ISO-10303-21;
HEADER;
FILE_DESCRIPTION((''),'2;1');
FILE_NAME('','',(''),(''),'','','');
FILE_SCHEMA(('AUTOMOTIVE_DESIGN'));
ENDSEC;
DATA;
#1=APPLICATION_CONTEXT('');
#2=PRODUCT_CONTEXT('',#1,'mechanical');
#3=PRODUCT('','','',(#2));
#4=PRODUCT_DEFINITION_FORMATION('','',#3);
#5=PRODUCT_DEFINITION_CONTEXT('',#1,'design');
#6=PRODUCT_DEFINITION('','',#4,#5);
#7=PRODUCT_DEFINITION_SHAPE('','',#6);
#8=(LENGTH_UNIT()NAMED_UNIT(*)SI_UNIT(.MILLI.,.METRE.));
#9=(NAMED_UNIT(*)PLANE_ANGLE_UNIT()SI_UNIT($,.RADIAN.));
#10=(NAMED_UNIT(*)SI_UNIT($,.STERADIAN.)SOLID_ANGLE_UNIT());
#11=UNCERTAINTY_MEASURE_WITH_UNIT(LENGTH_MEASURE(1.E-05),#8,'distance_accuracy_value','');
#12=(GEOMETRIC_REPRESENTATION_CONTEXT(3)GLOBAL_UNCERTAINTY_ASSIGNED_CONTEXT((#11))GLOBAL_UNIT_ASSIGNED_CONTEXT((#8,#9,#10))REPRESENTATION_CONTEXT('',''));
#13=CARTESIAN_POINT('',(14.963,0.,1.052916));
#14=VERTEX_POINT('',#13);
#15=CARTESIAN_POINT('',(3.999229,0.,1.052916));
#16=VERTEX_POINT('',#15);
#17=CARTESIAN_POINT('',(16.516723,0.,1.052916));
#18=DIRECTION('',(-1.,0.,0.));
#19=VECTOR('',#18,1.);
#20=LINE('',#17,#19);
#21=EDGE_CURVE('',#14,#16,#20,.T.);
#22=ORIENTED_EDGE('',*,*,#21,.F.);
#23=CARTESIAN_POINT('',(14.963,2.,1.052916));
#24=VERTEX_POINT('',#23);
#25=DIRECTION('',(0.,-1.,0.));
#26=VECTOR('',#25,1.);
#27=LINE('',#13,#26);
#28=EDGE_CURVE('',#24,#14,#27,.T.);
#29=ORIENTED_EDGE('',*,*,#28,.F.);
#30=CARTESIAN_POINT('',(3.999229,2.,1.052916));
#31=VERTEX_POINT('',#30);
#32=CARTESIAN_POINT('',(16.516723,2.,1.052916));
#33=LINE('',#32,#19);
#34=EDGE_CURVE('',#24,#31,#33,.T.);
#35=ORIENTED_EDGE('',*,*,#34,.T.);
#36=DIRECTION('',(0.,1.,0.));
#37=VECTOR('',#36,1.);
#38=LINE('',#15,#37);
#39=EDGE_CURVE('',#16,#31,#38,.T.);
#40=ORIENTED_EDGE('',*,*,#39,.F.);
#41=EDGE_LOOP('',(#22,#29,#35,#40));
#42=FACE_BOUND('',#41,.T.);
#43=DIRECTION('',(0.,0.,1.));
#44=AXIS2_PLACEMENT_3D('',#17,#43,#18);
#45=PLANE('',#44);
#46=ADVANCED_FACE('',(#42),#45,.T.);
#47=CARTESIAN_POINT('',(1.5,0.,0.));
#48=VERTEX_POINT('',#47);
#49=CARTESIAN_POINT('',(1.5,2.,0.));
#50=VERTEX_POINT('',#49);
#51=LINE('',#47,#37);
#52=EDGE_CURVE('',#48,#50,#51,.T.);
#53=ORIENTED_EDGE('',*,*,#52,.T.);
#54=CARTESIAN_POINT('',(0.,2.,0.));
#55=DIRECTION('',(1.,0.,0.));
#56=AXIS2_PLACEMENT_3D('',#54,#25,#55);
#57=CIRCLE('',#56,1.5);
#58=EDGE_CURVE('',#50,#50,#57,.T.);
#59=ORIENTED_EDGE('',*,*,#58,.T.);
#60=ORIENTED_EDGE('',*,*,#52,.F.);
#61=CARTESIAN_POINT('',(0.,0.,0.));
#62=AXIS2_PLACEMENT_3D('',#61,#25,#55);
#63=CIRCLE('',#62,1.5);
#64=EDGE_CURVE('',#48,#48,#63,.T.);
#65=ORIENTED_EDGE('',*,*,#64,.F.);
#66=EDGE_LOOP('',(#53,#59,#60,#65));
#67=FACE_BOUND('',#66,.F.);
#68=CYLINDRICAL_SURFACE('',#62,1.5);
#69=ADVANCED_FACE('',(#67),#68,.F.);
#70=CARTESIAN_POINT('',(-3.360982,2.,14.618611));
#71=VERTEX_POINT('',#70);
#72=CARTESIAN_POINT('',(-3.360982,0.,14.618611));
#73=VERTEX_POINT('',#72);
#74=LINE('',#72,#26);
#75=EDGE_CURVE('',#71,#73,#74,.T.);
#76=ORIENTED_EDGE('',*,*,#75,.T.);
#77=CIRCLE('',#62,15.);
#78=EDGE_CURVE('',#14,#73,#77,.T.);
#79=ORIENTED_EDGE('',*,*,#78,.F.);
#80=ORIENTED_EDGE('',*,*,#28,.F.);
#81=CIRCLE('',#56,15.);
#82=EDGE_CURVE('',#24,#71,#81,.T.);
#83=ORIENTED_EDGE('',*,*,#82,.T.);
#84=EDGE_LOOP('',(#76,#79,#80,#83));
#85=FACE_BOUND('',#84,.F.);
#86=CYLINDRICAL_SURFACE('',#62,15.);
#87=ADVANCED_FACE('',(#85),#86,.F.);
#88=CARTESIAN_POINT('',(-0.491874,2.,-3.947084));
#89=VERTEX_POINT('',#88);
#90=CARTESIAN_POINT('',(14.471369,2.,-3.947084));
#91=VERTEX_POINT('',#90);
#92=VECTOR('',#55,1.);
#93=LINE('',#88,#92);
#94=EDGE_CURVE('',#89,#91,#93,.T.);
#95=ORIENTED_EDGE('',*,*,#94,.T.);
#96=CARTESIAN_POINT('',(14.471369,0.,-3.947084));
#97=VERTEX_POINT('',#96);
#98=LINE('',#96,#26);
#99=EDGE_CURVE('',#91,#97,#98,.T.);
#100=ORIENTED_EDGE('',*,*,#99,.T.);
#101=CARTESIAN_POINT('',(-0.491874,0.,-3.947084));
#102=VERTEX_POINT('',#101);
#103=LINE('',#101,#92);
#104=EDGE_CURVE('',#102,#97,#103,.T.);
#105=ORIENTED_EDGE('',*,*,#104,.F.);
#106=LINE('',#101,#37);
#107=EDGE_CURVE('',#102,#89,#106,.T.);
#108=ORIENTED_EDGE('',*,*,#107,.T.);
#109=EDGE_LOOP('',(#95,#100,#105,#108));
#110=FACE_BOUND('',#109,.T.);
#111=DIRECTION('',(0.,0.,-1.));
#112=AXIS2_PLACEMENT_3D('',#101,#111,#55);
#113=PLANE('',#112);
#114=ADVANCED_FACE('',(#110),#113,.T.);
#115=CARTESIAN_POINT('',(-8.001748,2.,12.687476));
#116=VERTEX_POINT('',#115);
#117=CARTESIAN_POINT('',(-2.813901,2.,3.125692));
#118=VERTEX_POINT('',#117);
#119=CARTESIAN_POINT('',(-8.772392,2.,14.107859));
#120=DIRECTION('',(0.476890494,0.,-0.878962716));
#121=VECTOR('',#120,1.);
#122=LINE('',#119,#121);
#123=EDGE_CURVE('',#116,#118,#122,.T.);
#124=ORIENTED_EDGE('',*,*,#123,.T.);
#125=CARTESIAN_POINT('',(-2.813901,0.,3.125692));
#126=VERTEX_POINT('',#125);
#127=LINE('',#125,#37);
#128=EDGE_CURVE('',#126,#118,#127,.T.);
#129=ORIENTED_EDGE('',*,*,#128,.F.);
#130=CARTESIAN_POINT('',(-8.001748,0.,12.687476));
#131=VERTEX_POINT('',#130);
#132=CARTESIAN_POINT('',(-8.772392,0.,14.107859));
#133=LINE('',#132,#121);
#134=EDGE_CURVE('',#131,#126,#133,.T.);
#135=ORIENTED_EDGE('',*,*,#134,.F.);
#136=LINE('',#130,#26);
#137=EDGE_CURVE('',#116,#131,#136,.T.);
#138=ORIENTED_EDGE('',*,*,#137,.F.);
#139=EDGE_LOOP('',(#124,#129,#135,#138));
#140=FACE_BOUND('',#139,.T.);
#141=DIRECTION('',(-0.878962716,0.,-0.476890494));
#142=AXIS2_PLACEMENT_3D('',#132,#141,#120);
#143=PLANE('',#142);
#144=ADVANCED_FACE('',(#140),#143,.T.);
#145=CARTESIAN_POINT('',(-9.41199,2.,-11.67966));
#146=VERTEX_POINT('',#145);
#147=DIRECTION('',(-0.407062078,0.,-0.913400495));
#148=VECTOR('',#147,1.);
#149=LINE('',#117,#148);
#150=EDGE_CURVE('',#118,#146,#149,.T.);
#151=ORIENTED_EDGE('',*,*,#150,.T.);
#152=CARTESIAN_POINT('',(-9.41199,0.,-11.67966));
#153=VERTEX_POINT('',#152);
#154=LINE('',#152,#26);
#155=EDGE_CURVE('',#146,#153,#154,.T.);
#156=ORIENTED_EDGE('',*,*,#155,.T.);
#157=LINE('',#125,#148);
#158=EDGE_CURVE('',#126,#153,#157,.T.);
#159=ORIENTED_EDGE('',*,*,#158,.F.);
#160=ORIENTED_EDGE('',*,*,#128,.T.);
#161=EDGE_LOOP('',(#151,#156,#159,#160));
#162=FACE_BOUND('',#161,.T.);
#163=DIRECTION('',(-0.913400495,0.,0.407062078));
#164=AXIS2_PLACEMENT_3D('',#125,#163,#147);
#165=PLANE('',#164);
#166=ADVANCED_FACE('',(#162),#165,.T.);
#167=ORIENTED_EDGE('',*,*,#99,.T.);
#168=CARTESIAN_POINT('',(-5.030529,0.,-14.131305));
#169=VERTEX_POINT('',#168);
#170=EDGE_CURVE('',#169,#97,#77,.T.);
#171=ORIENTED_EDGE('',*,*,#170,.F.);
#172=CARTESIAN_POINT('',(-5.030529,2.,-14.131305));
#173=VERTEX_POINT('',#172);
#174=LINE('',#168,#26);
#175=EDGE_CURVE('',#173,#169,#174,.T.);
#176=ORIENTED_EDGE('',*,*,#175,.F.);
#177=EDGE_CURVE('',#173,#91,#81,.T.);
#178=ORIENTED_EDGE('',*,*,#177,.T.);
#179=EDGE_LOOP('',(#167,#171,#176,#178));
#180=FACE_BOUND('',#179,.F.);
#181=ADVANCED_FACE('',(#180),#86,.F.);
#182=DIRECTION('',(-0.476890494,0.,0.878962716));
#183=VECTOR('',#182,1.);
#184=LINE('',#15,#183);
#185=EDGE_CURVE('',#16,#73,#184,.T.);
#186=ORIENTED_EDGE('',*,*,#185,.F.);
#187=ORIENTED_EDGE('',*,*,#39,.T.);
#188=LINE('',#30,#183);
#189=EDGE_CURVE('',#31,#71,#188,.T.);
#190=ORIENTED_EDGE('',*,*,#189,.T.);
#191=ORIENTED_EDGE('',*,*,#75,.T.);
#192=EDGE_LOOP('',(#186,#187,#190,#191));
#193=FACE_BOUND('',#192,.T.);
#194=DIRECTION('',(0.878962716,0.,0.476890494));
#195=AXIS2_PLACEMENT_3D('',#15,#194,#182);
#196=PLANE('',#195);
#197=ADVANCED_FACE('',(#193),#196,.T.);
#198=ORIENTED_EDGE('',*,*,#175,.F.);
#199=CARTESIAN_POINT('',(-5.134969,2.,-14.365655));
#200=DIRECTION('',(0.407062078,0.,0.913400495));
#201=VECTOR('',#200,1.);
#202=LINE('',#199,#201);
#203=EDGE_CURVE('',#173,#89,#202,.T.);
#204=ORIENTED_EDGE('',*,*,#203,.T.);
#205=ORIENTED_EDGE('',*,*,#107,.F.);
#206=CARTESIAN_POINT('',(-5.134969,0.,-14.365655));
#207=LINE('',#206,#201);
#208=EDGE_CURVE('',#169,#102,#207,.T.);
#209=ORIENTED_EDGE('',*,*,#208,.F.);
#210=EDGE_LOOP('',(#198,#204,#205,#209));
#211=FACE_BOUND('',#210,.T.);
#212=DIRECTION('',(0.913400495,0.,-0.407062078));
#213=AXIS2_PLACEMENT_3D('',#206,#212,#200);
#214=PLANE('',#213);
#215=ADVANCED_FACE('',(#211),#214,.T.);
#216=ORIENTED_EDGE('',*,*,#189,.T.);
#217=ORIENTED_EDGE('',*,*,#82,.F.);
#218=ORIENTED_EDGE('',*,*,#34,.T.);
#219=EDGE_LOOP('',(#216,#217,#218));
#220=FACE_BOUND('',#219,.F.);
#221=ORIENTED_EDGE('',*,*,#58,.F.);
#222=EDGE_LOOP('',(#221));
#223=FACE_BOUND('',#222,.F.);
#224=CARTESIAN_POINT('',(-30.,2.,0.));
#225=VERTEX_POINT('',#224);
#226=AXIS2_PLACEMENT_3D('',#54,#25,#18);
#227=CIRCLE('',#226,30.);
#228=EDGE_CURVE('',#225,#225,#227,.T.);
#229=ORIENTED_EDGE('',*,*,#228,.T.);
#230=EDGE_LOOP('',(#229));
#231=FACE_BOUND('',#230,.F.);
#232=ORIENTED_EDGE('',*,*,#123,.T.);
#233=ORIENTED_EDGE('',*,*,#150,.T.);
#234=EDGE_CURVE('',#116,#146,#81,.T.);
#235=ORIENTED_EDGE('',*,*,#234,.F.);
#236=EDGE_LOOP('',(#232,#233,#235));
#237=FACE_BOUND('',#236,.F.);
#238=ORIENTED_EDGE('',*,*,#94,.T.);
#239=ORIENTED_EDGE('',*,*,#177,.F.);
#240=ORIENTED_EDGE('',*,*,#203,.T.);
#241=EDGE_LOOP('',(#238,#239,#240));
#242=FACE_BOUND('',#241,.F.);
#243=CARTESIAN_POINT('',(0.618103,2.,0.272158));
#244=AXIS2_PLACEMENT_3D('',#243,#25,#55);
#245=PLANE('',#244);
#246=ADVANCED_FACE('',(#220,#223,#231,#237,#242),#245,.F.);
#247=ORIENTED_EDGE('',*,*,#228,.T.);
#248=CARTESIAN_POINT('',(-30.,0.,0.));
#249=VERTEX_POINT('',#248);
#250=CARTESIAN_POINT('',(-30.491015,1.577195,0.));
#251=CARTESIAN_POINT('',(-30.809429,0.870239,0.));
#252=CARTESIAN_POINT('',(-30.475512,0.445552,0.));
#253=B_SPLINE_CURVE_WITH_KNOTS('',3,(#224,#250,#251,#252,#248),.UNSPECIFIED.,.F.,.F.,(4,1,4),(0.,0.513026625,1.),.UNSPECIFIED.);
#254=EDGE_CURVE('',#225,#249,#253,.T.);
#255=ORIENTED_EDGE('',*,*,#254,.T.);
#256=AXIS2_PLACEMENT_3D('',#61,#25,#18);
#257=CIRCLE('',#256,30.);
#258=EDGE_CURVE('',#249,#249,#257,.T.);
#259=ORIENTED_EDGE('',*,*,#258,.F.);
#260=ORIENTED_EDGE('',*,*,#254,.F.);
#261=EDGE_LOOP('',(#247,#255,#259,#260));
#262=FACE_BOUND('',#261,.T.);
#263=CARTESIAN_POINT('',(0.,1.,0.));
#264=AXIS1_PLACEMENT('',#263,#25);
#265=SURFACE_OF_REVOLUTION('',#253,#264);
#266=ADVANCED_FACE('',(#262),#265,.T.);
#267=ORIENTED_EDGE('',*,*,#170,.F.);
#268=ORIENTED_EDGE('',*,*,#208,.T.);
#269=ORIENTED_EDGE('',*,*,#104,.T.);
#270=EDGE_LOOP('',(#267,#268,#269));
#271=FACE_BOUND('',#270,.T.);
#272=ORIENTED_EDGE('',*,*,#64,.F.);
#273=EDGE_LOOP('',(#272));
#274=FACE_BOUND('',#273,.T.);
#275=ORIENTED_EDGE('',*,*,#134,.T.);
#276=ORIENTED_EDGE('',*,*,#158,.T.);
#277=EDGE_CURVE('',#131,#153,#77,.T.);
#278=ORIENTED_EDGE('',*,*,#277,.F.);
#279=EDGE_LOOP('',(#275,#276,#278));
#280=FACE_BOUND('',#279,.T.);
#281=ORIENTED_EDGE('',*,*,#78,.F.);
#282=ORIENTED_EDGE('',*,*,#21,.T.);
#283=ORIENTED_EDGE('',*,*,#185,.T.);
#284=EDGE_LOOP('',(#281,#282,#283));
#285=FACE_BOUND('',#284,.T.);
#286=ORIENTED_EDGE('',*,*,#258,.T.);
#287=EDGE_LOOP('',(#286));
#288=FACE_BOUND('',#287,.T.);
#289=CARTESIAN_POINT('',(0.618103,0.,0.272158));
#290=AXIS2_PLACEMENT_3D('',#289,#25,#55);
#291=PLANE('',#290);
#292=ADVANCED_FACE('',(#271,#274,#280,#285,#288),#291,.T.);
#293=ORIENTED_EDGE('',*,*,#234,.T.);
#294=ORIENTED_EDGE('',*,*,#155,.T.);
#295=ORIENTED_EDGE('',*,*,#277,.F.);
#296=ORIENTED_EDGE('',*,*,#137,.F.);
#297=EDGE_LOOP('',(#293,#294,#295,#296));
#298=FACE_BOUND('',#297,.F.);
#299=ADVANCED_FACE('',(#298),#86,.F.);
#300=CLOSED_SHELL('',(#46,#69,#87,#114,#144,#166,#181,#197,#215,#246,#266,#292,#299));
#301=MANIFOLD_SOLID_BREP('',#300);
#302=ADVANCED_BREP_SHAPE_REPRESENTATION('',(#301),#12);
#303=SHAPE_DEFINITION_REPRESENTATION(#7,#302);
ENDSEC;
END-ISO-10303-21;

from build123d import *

# Parameters (mm, degrees)
F2_R     = 15
F2_R_2   = 3.5
F2_R_3   = 1.5
F3_DEPTH = 1000
F5_DEPTH = 2
F6_DEPTH = 10050


with BuildPart() as f1:
    # F0 (on Top) → F1 (revolve)
    with BuildSketch(Plane.XY):
        with BuildLine():
            Line((-30, 0), (0, 0))
            Line((0, 0), (0, 2))
            Line((0, 2), (-30, 2))
            add(Edge.make_bspline(
                [(-30, 2), (-30.4910149425, 1.5771952458), (-30.8094289155, 0.8702388721), (-30.4755121469, 0.4455515009), (-30, 0)],
                knots=[0, 0, 0, 0, 0.5130266248, 1, 1, 1, 1], degree=3))
        make_face()
    revolve(axis=Axis((0, 1, 0), (0, -1, 0)))

    # F2 (on Front) → F3 (cut)
    with BuildSketch(Plane.XZ):
        Circle(F2_R)
        Circle(F2_R_2, mode=Mode.SUBTRACT)
        Circle(F2_R_3)
    extrude(amount=-F3_DEPTH, mode=Mode.SUBTRACT)

    # F4 (on Front) → F5 (join)
    with BuildSketch(Plane.XZ):
        Polygon((-2.8139011922, 3.1256922416), (-9.7019712724, -12.3303449528), (-5.1349687969, -14.365655344), (-0.4918737939, -3.9470840711), (16.5167228414, -3.9470840711), (16.5167228414, 1.0529159289), (3.999228884, 1.0529159289), (-4.3775779681, 16.4923113486), (-8.7723915503, 14.1078588795), align=None)
    extrude(amount=-F5_DEPTH)

    # F2 (on Front) → F6 (cut)
    with BuildSketch(Plane.XZ):
        Circle(F2_R_3)
    extrude(amount=-F6_DEPTH, mode=Mode.SUBTRACT)


solid = f1.part
